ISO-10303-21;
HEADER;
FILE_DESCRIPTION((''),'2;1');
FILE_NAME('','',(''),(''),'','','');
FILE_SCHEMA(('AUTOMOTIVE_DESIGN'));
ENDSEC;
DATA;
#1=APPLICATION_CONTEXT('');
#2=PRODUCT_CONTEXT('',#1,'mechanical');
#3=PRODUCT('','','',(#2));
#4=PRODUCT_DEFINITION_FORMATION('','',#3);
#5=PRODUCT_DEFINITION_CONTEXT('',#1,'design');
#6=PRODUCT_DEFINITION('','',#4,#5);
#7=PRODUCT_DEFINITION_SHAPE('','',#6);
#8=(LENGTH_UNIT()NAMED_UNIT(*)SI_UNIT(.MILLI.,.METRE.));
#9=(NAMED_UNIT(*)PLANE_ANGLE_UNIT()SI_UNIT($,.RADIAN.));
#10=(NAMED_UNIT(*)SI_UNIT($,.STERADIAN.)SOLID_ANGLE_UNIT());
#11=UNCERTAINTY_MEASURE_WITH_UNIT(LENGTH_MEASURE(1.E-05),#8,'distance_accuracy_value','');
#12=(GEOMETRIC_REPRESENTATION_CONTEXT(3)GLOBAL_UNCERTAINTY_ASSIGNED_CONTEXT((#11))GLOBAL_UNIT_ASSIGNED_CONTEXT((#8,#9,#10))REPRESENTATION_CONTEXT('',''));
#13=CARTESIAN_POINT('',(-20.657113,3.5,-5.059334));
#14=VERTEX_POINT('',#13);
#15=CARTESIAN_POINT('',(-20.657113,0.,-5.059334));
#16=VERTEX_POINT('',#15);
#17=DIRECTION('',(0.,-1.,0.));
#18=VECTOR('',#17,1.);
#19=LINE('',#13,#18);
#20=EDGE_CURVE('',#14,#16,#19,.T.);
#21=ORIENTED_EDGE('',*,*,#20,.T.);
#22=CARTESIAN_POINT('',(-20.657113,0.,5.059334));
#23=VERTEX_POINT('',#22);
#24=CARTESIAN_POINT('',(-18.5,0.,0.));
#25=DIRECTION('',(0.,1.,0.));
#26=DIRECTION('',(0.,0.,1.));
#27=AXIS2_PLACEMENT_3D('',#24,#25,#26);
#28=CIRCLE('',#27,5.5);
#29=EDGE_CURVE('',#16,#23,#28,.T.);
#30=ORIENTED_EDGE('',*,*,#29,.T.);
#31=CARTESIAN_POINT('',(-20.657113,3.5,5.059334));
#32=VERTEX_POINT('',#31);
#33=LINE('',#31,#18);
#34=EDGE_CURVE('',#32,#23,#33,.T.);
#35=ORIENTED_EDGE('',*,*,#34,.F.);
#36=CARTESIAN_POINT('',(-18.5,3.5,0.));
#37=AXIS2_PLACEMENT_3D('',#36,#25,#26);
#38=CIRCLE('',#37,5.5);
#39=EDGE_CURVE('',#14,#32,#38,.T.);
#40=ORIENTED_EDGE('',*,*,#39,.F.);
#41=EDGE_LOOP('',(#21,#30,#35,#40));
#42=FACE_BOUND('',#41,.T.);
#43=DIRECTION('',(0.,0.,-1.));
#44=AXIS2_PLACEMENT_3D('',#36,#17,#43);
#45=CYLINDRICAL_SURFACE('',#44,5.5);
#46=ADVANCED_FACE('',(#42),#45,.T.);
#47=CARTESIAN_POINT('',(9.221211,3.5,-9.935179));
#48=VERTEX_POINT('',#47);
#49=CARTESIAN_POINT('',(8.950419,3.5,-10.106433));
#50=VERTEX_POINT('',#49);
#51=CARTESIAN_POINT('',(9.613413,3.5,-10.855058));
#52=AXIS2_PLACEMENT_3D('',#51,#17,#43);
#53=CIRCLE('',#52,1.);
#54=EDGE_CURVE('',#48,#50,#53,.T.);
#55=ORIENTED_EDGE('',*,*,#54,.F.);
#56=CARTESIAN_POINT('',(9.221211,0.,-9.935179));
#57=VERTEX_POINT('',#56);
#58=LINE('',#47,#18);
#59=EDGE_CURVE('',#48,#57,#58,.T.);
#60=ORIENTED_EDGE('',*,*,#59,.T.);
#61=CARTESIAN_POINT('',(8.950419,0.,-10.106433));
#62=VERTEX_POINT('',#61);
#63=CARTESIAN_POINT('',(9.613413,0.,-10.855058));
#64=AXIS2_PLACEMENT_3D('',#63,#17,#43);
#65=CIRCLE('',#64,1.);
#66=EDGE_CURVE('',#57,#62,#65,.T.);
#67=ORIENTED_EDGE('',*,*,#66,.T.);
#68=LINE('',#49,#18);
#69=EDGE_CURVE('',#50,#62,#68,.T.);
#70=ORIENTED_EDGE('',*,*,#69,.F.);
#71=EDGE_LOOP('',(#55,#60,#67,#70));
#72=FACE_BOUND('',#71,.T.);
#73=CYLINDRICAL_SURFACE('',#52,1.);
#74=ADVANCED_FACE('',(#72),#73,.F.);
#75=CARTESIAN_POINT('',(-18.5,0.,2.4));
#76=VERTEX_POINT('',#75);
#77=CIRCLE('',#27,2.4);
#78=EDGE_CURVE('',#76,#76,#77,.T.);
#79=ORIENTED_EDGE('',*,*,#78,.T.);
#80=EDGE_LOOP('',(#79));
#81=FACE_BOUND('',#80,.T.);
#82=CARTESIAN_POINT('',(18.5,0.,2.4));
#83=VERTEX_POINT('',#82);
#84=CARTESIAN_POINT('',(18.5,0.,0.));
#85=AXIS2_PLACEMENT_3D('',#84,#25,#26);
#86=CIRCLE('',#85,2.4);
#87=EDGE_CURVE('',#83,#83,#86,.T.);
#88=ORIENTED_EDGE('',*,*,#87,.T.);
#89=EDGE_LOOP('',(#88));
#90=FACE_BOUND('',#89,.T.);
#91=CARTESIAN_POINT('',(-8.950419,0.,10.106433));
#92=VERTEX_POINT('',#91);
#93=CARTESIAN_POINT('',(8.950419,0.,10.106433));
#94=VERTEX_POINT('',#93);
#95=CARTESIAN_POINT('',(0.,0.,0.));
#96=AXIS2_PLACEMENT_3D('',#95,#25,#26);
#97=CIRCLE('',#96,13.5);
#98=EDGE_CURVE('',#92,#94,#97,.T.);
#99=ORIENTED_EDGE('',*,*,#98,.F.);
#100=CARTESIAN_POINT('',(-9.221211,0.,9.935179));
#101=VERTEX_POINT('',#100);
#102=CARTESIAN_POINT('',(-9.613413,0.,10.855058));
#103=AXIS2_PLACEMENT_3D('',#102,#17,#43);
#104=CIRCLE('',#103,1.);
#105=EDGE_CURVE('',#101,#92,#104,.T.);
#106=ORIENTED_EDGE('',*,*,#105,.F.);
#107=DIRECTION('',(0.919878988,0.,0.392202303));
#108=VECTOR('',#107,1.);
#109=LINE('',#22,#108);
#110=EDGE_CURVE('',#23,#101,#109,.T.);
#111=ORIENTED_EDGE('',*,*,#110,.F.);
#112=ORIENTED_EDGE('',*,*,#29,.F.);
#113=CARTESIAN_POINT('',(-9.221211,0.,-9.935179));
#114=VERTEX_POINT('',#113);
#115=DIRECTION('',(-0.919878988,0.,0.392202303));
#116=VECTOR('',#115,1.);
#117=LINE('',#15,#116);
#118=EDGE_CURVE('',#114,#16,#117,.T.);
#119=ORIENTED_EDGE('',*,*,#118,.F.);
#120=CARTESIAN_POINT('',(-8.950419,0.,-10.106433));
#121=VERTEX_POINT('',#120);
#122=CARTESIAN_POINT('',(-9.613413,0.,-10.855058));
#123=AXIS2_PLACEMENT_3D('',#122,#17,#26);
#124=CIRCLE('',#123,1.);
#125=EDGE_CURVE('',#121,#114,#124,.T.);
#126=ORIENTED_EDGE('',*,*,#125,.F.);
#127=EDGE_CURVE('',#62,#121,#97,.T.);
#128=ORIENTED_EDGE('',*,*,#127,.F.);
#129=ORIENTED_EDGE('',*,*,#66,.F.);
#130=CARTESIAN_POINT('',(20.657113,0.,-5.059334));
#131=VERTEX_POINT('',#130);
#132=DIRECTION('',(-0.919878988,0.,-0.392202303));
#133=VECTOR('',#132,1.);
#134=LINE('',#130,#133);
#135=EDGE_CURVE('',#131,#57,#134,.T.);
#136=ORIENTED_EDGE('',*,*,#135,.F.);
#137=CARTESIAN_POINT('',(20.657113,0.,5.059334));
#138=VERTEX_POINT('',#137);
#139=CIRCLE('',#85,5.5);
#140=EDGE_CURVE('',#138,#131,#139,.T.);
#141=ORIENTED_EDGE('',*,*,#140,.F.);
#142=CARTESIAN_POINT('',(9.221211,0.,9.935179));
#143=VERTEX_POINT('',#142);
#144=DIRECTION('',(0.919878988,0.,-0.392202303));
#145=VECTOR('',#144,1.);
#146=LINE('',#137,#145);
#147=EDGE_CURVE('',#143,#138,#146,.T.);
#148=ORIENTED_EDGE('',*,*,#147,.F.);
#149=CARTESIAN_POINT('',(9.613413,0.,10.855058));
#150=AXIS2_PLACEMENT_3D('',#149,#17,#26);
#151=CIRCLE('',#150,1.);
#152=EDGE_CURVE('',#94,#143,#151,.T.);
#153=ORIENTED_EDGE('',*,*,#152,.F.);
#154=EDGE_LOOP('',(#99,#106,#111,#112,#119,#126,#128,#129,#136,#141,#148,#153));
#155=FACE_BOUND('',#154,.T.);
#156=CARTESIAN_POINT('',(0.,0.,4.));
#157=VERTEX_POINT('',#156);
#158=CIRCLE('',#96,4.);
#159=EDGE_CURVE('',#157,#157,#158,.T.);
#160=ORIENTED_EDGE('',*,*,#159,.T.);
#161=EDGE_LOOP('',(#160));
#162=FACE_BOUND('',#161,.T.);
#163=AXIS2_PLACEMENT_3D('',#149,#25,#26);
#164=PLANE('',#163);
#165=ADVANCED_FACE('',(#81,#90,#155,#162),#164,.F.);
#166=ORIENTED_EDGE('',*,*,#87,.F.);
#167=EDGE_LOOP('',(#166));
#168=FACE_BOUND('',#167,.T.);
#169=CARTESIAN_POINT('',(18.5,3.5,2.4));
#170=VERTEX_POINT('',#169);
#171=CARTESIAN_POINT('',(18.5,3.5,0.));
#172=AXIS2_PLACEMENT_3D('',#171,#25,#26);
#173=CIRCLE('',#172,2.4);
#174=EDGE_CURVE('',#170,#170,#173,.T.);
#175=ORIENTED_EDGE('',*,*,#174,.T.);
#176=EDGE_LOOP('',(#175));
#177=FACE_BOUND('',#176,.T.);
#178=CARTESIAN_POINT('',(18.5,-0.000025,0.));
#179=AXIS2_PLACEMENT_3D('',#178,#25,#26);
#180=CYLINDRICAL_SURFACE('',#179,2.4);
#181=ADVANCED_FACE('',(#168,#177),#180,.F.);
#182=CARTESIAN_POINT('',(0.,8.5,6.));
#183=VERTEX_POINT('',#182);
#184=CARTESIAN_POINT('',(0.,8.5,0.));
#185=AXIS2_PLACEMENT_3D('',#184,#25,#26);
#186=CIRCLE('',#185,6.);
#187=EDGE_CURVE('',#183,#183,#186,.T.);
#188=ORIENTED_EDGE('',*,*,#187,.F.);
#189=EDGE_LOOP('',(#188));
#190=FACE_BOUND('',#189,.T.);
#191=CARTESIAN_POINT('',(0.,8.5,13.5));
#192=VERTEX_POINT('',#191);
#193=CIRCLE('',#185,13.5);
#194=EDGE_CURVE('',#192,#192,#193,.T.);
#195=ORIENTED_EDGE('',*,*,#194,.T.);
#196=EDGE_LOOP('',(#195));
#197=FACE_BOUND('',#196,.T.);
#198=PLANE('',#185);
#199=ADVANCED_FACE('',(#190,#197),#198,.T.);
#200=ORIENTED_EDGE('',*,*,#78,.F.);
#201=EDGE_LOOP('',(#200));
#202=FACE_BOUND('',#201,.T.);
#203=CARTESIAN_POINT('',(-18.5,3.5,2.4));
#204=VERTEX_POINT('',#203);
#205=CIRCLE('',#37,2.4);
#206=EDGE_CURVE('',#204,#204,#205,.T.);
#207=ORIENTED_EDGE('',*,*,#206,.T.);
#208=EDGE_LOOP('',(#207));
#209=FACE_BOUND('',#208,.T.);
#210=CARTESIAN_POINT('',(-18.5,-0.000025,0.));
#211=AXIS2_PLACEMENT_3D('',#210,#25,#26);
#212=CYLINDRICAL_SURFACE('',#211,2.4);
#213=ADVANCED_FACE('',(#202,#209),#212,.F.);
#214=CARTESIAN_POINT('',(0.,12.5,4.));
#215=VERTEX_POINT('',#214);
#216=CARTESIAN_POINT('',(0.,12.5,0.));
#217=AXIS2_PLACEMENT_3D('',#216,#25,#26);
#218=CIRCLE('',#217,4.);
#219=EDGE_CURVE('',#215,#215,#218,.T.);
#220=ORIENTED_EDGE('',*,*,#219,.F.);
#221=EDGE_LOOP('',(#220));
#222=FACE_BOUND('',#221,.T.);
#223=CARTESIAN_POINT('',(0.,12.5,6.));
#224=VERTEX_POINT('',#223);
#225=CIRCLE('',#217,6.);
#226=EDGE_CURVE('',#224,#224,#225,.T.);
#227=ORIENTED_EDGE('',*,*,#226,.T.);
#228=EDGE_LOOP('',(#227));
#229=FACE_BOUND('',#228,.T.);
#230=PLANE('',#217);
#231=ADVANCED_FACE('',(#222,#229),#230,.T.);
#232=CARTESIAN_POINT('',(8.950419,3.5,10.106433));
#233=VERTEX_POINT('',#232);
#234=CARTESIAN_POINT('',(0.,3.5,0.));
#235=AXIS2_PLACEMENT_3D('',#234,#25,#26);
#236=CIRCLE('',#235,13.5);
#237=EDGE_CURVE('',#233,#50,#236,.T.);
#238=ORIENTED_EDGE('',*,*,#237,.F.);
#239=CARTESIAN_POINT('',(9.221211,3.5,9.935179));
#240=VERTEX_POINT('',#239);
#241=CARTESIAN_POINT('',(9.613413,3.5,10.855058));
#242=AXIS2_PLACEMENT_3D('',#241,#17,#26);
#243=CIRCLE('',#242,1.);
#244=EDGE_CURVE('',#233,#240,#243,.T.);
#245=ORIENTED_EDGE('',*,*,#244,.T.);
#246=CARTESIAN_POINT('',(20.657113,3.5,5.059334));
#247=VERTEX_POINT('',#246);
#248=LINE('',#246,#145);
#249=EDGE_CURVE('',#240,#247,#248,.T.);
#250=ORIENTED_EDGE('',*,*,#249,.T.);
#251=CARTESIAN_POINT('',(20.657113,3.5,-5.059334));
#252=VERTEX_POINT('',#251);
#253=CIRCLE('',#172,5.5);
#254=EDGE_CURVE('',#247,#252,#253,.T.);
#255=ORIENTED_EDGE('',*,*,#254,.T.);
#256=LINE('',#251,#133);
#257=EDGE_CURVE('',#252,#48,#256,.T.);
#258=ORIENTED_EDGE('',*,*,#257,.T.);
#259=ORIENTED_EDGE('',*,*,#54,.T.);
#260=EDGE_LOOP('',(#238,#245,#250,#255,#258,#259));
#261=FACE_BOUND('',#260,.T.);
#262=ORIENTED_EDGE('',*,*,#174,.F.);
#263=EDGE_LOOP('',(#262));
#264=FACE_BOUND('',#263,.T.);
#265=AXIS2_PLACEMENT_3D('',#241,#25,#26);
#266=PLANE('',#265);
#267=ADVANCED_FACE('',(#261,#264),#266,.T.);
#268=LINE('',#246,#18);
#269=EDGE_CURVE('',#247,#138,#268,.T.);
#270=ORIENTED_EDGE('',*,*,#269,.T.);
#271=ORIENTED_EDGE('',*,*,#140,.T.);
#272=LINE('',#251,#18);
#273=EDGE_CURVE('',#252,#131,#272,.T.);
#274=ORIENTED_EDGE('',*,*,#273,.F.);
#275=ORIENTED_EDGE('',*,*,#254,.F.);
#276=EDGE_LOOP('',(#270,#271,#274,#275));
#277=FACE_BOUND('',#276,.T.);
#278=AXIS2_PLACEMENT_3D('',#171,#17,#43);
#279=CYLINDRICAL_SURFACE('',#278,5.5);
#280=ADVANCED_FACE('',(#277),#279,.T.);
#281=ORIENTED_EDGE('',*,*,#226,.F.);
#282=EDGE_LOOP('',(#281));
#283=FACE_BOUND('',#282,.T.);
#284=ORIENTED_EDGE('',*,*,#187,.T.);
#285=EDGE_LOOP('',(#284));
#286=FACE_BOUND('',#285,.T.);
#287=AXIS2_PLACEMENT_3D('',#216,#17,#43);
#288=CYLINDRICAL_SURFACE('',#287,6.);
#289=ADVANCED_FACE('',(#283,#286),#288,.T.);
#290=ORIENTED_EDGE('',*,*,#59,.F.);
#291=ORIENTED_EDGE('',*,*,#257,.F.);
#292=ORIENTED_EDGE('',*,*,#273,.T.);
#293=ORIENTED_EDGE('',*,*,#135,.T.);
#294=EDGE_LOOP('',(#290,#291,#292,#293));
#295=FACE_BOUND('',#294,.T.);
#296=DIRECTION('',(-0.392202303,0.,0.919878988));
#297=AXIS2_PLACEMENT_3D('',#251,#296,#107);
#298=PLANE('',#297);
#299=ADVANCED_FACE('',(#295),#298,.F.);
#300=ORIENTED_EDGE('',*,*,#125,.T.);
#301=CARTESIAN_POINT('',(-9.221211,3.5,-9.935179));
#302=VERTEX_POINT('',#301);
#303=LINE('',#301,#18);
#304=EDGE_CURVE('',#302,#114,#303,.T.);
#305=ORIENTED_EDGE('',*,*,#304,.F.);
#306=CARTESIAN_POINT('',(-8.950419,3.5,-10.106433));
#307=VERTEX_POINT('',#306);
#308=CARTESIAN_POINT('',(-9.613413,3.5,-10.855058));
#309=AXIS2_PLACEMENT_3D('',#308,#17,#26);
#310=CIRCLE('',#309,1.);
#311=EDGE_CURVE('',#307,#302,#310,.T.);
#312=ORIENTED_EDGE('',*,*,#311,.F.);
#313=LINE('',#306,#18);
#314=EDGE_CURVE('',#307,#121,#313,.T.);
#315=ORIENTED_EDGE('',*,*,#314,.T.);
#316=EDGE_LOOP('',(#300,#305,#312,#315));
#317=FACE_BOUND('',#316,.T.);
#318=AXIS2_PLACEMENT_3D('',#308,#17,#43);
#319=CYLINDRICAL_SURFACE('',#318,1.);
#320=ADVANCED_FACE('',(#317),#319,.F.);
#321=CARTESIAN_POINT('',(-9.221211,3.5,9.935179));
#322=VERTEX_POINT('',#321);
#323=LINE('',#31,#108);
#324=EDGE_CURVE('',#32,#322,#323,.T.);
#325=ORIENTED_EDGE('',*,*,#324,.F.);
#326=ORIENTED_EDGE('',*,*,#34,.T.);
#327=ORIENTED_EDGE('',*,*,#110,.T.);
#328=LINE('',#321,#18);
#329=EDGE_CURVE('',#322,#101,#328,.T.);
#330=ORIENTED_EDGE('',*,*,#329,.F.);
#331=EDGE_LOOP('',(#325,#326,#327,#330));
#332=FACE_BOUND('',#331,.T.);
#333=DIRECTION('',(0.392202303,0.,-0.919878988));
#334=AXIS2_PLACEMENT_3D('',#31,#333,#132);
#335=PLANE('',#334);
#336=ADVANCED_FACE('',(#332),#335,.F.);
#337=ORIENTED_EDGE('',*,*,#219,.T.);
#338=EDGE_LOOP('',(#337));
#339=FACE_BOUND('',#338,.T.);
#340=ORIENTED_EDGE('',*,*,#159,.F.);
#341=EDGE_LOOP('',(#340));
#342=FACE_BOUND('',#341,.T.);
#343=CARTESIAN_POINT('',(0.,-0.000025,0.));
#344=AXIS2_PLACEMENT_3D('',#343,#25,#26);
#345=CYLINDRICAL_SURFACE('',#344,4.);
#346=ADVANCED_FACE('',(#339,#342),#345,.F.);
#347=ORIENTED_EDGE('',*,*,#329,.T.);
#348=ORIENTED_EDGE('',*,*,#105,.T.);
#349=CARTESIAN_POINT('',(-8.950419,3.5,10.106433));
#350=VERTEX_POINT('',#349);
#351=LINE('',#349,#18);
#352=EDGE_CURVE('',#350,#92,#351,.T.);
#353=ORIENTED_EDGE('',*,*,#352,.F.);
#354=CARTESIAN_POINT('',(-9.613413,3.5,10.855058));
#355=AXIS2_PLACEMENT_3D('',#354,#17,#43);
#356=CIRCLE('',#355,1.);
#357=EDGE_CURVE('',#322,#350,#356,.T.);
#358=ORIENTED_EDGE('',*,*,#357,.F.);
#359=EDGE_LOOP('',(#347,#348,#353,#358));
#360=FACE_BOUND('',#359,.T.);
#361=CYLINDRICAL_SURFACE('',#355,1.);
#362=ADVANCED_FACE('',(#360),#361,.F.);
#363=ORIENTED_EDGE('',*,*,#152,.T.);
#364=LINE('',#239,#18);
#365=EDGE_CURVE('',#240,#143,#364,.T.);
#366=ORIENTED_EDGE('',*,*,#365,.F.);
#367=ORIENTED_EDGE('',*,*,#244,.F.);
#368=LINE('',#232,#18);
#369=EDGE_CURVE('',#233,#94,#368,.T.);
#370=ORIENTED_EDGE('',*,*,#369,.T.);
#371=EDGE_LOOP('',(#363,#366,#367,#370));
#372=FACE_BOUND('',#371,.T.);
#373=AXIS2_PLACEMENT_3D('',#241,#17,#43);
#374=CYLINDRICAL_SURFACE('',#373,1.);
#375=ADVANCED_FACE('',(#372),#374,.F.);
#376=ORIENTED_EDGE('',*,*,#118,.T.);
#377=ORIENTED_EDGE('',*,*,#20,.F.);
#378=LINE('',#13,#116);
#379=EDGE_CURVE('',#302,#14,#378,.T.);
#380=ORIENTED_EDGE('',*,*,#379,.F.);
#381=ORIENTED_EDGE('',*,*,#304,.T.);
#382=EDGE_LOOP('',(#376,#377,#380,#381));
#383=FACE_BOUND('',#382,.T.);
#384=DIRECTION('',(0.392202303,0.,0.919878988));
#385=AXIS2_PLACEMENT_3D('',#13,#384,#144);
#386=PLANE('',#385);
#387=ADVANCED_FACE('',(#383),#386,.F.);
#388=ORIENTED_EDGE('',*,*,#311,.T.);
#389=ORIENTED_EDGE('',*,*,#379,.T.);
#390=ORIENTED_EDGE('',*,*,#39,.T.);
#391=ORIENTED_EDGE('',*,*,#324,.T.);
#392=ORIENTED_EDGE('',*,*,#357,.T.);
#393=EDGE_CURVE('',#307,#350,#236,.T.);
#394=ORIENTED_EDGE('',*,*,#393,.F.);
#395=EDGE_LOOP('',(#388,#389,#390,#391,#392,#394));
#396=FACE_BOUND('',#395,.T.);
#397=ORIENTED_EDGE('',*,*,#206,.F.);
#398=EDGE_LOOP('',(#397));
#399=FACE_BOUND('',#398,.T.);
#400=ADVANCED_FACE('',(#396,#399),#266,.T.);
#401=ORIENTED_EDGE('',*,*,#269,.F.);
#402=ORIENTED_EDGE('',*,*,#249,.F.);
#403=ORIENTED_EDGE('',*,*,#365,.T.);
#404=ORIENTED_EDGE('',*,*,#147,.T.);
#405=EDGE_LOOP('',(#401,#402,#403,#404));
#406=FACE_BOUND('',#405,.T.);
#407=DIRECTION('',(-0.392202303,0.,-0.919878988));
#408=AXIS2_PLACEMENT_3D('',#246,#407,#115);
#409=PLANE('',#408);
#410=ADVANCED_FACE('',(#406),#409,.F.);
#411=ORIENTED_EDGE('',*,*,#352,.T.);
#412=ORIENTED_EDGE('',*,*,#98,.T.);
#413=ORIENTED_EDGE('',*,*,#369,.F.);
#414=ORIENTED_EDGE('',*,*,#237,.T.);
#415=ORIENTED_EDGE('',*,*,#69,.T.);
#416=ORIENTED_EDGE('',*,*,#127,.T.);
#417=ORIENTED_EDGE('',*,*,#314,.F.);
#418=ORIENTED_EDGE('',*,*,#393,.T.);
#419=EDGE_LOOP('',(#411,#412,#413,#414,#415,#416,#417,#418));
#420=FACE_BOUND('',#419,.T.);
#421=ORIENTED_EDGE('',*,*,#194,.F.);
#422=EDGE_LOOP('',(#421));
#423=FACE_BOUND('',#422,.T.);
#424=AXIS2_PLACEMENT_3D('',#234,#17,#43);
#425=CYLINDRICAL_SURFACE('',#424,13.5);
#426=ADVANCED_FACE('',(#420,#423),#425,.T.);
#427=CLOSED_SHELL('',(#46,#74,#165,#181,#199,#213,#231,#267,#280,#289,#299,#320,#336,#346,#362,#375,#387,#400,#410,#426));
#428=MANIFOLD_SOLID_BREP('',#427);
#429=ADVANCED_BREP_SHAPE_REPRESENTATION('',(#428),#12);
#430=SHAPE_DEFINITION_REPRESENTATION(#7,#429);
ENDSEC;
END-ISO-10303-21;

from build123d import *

# Parameters (mm, degrees)
BOSS_EXTRUDE1_DEPTH = 3.5
SKETCH2_R           = 13.5
BOSS_EXTRUDE2_DEPTH = 5
SKETCH3_R           = 6
BOSS_EXTRUDE3_DEPTH = 4
SKETCH4_R           = 4
CUT_EXTRUDE1_DEPTH  = 31.24070105
SKETCH5_R           = 2.4
CUT_EXTRUDE2_DEPTH  = 29.969811874


with BuildPart() as part:
    # Sketch1 → Boss-Extrude1 (new body)
    with BuildSketch(Plane(origin=(0, 0, 0), x_dir=(1, 0, 0), z_dir=(0, 1, 0))):
        with BuildLine():
            Line((-20.657112668, 5.059334436), (-9.221211054, 9.935178986))
            ThreePointArc((-9.221211054, 9.935178986), (-9.078911878, 10.009890435), (-8.950419333, 10.106433286))
            ThreePointArc((-8.950419333, 10.106433286), (0, 13.5), (8.950419333, 10.106433286))
            ThreePointArc((8.950419333, 10.106433286), (9.078911878, 10.009890435), (9.221211054, 9.935178986))
            Line((9.221211054, 9.935178986), (20.657112668, 5.059334436))
            ThreePointArc((20.657112668, 5.059334436), (24, 0), (20.657112668, -5.059334436))
            Line((20.657112668, -5.059334436), (9.221211054, -9.935178986))
            ThreePointArc((9.221211054, -9.935178986), (9.078911878, -10.009890435), (8.950419333, -10.106433286))
            ThreePointArc((8.950419333, -10.106433286), (0, -13.5), (-8.950419333, -10.106433286))
            ThreePointArc((-8.950419333, -10.106433286), (-9.078911878, -10.009890435), (-9.221211054, -9.935178986))
            Line((-9.221211054, -9.935178986), (-20.657112668, -5.059334436))
            ThreePointArc((-20.657112668, -5.059334436), (-24, 0), (-20.657112668, 5.059334436))
        make_face()
    extrude(amount=BOSS_EXTRUDE1_DEPTH)

    # Sketch2 → Boss-Extrude2 (add)
    with BuildSketch(Plane(origin=(0, 3.5, 0), x_dir=(1, 0, 0), z_dir=(0, 1, 0))):
        with Locations(Location((0, 0, 0), (0, 0, 131.528615852))):
            Circle(SKETCH2_R)
    extrude(amount=BOSS_EXTRUDE2_DEPTH)

    # Sketch3 → Boss-Extrude3 (add)
    with BuildSketch(Plane(origin=(0, 8.5, 0), x_dir=(1, 0, 0), z_dir=(0, 1, 0))):
        with Locations(Location((0, 0, 0), (0, 0, 270))):
            Circle(SKETCH3_R)
    extrude(amount=BOSS_EXTRUDE3_DEPTH)

    # Sketch4 → Cut-Extrude1 (cut, through all)
    with BuildSketch(Plane(origin=(0, 12.5, 0), x_dir=(1, 0, 0), z_dir=(0, 1, 0))):
        with Locations(Location((0, 0, 0), (0, 0, 270))):
            Circle(SKETCH4_R)
    extrude(amount=-CUT_EXTRUDE1_DEPTH, mode=Mode.SUBTRACT)

    # Sketch5 → Cut-Extrude2 (cut, through all)
    with BuildSketch(Plane(origin=(0, 3.5, 0), x_dir=(1, 0, 0), z_dir=(0, 1, 0))):
        with Locations(Location((-18.5, 0, 0), (0, 0, 270))):
            Circle(SKETCH5_R)
        with Locations(Location((18.5, 0, 0), (0, 0, 270))):
            Circle(SKETCH5_R)
    extrude(amount=-CUT_EXTRUDE2_DEPTH, mode=Mode.SUBTRACT)


solid = part.part
